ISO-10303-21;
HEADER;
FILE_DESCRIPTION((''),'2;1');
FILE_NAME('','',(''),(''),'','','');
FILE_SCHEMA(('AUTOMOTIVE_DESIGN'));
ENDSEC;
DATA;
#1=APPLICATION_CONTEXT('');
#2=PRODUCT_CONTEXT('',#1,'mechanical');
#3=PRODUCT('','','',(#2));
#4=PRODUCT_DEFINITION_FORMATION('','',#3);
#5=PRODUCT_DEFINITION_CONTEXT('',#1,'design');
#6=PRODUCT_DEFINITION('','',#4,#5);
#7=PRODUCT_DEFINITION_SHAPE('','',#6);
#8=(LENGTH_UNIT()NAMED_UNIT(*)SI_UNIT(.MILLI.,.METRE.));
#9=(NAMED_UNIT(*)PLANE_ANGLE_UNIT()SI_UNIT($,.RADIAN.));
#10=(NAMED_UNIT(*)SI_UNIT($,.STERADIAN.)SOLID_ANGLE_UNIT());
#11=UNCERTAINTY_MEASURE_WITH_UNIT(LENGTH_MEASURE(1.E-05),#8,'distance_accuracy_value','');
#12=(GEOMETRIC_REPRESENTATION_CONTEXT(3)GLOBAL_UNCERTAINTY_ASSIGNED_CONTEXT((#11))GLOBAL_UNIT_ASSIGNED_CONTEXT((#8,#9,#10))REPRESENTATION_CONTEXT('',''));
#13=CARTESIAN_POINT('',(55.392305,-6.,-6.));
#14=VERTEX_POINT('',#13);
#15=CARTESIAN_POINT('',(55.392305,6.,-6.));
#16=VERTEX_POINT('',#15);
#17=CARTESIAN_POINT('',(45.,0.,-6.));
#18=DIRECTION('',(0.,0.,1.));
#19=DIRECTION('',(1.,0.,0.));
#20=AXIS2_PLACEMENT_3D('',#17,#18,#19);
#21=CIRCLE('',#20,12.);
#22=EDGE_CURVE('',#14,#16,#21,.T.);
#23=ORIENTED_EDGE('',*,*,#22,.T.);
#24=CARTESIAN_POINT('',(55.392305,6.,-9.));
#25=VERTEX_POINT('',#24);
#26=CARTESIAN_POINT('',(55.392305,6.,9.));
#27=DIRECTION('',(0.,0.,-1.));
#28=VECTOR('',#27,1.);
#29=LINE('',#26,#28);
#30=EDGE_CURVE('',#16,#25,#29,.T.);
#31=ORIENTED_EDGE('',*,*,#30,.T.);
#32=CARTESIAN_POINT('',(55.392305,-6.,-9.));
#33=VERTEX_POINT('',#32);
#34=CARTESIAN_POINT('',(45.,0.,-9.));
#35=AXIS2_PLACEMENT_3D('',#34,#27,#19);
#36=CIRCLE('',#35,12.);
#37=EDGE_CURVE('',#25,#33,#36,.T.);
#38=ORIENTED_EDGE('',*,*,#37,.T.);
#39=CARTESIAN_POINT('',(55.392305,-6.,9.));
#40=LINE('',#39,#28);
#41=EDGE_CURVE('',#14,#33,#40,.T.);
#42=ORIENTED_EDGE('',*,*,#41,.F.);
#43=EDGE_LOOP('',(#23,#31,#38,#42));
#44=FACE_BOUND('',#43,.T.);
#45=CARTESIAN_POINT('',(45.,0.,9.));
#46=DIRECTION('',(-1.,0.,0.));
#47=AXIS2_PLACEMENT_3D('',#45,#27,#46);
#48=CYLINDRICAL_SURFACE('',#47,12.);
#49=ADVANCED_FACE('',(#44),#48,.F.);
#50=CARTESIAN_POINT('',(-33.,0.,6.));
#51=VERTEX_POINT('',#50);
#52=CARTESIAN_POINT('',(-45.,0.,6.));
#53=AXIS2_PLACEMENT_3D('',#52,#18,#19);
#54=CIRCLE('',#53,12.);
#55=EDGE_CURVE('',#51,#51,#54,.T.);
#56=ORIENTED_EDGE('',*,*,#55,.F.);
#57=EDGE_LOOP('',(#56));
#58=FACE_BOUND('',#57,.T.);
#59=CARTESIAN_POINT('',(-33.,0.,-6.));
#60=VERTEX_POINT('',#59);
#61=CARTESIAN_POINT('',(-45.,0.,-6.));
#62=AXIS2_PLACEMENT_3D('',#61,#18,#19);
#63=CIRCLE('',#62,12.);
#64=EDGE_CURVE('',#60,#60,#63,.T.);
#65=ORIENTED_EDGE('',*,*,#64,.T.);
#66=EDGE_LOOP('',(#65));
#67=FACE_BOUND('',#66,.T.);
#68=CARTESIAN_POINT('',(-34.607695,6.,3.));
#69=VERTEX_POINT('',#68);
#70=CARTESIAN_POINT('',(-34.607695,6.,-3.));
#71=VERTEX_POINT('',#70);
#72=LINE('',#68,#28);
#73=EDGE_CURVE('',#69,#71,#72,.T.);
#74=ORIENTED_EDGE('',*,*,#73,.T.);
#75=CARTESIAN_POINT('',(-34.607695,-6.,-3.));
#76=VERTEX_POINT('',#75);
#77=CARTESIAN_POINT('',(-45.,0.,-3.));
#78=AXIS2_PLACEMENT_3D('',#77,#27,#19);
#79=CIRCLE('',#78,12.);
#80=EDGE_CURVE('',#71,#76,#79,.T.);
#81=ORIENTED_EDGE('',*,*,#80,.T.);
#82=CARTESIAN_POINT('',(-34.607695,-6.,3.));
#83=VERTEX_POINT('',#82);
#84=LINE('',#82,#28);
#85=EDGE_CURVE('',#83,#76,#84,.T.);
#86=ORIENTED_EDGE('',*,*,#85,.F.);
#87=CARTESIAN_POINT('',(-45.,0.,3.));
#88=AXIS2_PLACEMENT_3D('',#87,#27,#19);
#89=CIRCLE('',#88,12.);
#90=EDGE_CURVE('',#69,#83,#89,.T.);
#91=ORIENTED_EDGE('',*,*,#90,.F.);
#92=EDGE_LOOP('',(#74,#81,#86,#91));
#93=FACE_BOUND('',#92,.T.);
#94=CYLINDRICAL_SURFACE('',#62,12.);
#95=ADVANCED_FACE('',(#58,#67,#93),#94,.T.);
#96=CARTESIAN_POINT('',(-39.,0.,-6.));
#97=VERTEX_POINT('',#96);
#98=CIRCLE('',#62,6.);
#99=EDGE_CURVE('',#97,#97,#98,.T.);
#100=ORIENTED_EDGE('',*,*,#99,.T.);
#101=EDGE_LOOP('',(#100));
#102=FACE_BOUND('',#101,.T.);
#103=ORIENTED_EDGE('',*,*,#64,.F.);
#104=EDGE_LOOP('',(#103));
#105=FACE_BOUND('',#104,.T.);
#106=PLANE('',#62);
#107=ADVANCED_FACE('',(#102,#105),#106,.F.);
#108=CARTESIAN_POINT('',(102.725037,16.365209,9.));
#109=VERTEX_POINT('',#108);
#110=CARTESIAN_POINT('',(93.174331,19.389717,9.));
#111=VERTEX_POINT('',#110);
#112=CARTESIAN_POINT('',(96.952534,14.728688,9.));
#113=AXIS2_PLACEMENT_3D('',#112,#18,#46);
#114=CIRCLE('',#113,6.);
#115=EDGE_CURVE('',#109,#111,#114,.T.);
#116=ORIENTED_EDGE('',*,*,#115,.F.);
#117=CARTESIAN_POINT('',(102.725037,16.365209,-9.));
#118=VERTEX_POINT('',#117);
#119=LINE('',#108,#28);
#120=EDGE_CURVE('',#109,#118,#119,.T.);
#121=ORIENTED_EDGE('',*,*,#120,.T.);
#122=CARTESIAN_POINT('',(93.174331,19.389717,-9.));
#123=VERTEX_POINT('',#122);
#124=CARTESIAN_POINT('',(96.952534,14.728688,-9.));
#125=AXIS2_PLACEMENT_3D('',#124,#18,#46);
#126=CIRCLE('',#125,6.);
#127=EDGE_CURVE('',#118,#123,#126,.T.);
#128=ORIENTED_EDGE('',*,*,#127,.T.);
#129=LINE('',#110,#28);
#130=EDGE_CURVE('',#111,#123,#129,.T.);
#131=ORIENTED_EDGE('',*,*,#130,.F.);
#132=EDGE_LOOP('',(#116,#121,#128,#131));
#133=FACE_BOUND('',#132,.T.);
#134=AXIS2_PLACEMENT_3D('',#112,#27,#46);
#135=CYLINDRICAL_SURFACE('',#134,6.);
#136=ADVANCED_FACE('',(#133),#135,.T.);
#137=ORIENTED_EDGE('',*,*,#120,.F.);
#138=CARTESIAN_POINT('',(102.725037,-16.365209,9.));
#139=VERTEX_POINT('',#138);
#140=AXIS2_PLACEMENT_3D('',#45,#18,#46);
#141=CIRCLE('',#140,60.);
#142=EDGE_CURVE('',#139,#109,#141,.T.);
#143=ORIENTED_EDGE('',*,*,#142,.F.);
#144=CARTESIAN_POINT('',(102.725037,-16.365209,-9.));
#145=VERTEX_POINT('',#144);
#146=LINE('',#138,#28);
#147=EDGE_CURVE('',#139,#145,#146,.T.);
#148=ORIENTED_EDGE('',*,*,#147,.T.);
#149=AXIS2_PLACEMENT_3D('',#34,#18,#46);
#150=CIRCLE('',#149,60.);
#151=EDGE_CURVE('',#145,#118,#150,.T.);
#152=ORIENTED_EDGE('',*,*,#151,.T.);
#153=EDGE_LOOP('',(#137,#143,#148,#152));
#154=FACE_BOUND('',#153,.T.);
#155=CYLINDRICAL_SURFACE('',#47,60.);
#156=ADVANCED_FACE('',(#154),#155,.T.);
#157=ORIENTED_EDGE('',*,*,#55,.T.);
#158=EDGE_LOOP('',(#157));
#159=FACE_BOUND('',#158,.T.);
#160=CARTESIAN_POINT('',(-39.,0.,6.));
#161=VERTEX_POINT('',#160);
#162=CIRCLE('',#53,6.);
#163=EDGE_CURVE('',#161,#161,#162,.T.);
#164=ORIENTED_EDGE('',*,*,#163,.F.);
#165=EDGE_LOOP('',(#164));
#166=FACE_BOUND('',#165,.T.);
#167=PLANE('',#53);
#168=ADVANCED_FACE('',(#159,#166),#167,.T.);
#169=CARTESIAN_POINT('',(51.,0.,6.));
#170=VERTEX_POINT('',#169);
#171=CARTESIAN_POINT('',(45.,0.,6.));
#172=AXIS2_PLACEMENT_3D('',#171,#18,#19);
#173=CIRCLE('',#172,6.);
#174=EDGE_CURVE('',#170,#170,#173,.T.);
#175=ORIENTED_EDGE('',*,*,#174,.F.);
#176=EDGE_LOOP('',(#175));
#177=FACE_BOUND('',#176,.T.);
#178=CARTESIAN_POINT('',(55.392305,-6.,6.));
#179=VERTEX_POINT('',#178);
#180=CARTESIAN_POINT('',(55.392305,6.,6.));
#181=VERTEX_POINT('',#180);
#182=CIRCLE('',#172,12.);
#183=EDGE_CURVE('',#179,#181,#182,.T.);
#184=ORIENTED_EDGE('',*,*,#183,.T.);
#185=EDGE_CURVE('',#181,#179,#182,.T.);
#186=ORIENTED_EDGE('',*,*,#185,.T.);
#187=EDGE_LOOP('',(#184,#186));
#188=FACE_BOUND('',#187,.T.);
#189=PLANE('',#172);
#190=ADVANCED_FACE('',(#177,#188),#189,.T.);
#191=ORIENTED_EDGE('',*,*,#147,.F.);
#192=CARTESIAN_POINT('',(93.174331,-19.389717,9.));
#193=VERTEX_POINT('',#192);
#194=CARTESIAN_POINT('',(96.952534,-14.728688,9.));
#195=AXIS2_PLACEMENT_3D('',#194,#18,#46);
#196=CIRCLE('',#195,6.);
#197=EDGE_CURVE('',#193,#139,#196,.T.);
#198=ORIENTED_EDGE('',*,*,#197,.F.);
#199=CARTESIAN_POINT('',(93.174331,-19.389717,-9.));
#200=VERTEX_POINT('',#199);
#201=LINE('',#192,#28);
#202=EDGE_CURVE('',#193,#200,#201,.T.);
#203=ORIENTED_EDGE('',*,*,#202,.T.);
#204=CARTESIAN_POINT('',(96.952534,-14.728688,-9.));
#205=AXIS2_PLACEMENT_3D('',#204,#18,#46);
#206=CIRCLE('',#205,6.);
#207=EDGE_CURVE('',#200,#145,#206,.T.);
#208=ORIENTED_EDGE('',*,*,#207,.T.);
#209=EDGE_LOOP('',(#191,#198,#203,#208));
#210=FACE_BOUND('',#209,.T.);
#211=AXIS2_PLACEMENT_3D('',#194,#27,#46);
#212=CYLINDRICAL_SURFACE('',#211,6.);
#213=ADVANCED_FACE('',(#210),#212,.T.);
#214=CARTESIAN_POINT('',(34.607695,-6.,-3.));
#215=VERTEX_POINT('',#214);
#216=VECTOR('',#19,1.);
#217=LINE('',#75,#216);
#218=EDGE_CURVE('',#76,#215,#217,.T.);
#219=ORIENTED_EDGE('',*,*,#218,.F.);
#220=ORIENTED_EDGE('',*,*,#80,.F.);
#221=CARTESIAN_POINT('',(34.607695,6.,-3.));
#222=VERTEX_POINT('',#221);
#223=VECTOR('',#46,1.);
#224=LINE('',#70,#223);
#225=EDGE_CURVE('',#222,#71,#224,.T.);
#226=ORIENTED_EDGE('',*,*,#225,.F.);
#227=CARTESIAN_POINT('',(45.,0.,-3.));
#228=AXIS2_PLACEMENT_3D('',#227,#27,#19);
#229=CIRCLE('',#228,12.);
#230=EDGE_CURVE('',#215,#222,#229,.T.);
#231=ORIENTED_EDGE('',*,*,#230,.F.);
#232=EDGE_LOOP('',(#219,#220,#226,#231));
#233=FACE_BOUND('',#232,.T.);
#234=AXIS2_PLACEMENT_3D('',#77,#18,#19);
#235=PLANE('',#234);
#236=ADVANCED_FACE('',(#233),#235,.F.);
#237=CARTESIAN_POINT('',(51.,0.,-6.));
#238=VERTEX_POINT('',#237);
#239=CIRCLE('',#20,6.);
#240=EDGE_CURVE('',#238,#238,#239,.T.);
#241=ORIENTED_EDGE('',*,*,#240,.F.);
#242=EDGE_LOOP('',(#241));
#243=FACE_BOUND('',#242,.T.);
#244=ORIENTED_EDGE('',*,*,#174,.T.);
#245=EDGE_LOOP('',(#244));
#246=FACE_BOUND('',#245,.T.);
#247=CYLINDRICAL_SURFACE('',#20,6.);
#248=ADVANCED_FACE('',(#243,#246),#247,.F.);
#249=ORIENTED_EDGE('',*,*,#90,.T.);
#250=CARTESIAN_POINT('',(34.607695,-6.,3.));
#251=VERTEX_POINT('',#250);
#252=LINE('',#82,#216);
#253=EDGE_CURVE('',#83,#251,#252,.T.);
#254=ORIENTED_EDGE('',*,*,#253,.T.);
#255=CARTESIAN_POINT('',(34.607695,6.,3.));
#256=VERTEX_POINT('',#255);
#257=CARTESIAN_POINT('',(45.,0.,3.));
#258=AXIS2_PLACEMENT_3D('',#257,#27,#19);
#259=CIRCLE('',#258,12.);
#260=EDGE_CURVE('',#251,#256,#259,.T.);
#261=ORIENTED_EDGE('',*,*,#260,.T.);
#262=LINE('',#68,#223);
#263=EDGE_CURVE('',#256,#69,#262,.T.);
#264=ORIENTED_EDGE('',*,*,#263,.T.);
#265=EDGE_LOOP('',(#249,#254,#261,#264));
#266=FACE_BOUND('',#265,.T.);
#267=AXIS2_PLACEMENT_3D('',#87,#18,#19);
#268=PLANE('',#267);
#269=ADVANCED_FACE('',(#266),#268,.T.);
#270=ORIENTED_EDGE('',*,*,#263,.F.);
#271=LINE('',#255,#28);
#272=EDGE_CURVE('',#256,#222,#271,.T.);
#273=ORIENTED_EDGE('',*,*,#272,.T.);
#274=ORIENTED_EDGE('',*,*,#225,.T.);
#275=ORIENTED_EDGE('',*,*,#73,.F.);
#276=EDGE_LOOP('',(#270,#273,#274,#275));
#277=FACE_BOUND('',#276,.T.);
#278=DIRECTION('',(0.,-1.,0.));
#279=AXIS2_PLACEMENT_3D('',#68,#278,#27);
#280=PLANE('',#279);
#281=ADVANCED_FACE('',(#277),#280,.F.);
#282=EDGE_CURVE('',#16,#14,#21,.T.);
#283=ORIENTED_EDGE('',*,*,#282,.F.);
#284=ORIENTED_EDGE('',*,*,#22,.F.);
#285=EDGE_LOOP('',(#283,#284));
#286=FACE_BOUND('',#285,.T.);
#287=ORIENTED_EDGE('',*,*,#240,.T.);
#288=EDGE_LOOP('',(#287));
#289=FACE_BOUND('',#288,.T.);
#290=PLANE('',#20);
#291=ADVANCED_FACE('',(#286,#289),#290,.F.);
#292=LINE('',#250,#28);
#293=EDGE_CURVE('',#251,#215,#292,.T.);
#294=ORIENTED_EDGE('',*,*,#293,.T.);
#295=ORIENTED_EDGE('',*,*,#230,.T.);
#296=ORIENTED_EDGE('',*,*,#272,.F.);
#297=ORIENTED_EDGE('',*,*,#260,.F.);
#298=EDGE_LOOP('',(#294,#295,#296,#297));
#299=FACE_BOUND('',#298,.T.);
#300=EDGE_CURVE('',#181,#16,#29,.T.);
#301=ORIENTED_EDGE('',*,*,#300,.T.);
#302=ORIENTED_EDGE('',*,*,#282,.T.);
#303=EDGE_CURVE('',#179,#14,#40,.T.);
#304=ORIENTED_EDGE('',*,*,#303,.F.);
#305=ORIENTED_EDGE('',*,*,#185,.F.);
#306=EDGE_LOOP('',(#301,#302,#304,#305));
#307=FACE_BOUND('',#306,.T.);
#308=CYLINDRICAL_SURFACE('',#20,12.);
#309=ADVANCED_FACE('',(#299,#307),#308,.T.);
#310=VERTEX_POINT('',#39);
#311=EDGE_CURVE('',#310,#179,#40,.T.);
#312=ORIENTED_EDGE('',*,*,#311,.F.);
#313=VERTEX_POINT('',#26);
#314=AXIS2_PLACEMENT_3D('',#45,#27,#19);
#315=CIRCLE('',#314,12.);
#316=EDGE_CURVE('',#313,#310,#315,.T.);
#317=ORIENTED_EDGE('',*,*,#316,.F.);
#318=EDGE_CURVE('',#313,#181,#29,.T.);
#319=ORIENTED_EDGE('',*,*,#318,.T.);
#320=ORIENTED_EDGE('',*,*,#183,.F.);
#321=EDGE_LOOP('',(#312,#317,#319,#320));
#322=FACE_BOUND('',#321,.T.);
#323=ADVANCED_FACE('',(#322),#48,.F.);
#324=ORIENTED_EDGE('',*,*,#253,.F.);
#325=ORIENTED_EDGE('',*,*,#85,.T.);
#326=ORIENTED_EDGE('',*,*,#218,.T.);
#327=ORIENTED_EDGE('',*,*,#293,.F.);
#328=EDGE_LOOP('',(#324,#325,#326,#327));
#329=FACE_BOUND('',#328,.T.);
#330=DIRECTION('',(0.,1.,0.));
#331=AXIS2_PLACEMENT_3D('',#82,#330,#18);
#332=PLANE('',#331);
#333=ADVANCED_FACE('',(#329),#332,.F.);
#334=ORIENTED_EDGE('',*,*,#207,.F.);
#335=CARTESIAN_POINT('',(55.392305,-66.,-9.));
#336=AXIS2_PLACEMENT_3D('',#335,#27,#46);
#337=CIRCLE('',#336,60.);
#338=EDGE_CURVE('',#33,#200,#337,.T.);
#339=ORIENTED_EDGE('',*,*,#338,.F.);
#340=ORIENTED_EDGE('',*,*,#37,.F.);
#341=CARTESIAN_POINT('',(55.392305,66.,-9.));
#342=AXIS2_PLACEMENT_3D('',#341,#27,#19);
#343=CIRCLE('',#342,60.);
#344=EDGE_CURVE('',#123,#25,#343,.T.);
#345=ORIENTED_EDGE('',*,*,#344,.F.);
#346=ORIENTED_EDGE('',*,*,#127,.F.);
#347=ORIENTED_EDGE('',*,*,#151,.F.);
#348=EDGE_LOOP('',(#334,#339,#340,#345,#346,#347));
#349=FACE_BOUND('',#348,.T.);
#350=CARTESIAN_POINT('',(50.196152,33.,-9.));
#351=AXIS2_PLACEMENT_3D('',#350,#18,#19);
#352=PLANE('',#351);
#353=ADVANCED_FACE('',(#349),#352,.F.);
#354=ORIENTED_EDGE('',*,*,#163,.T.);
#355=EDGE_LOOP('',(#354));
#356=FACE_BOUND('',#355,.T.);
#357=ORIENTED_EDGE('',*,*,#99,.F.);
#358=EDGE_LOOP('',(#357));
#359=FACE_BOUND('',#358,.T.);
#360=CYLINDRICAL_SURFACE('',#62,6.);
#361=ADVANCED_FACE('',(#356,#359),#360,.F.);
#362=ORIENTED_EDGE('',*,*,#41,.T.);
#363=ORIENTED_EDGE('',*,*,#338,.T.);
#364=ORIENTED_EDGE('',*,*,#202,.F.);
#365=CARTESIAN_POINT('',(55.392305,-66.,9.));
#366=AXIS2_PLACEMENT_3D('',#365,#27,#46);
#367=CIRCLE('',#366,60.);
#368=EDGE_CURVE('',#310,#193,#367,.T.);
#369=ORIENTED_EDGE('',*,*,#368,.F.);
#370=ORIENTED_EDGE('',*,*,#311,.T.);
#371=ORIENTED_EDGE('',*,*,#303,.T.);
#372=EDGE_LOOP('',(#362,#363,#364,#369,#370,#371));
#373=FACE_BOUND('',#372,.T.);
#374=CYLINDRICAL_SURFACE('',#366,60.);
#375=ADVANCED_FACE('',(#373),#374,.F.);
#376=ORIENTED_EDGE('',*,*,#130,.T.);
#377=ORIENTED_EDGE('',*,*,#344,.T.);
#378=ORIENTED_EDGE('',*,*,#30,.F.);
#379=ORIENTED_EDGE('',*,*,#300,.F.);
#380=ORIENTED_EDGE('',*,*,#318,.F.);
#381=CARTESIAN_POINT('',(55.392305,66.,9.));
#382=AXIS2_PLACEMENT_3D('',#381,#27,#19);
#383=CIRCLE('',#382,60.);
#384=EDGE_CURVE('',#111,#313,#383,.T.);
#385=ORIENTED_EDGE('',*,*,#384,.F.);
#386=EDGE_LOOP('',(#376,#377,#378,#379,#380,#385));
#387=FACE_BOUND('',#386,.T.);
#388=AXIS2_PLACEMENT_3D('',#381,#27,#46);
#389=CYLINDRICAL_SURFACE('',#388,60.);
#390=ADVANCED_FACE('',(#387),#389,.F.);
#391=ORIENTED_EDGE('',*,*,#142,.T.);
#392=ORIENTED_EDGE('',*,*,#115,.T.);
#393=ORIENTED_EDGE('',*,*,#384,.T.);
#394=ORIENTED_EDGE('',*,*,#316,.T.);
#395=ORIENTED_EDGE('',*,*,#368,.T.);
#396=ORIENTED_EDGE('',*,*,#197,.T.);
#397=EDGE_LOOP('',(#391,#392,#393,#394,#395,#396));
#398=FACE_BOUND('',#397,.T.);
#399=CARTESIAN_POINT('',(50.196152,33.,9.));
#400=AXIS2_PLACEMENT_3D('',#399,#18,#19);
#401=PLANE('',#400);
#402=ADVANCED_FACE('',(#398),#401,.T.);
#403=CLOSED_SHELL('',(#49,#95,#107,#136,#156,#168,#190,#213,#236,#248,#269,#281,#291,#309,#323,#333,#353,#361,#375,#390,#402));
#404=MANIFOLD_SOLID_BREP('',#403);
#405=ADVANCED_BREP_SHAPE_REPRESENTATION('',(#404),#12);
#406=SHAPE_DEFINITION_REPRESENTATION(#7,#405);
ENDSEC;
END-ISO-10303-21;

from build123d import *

# Parameters (mm, degrees)
SKETCH1_R             = 12
SKETCH1_R_2           = 6
BOSS_EXTRUDE1_DEPTH   = 6
BOSS_EXTRUDE1_2_DEPTH = 6
BOSS_EXTRUDE2_DEPTH   = 3
BOSS_EXTRUDE3_DEPTH   = 9


with BuildPart() as part:
    # Sketch1 → Boss-Extrude1 (new, symmetric)
    with BuildSketch(Plane.XY):
        with Locations((-45, 0)):
            Circle(SKETCH1_R)
        with Locations((-45, 0)):
            Circle(SKETCH1_R_2, mode=Mode.SUBTRACT)
    extrude(amount=BOSS_EXTRUDE1_DEPTH, both=True)



with BuildPart() as body_2:
    # Sketch1 → Boss-Extrude1 2 (new, symmetric)
    with BuildSketch(Plane.XY):
        with Locations((45, 0)):
            Circle(SKETCH1_R)
        with Locations((45, 0)):
            Circle(SKETCH1_R_2, mode=Mode.SUBTRACT)
    extrude(amount=BOSS_EXTRUDE1_2_DEPTH, both=True)


with BuildPart() as part_1:
    add(part.part)

    add(body_2.part)  # Boss-Extrude2 merges body 2
    # Sketch3 → Boss-Extrude2 (add, symmetric)
    with BuildSketch(Plane.XY):
        with BuildLine():
            Line((-34.607695155, 6), (34.607695155, 6))
            ThreePointArc((34.607695155, 6), (33, 0), (34.607695155, -6))
            Line((34.607695155, -6), (-34.607695155, -6))
            ThreePointArc((-34.607695155, -6), (-33, 0), (-34.607695155, 6))
        make_face()
    extrude(amount=BOSS_EXTRUDE2_DEPTH, both=True)

    # Sketch4 → Boss-Extrude3 (add, symmetric)
    with BuildSketch(Plane.XY):
        with BuildLine():
            ThreePointArc((55.392304845, 6), (75.434547778, 9.446410386), (93.174330904, 19.389716726))
            ThreePointArc((93.174330904, 19.389716726), (98.763947455, 20.448721573), (102.725037233, 16.365209331))
            ThreePointArc((102.725037233, 16.365209331), (105, 0), (102.725037233, -16.365209331))
            ThreePointArc((102.725037233, -16.365209331), (98.763947455, -20.448721573), (93.174330904, -19.389716726))
            ThreePointArc((93.174330904, -19.389716726), (75.434547778, -9.446410386), (55.392304845, -6))
            ThreePointArc((55.392304845, -6), (57, 0), (55.392304845, 6))
        make_face()
    extrude(amount=BOSS_EXTRUDE3_DEPTH, both=True)


solid = part_1.part
